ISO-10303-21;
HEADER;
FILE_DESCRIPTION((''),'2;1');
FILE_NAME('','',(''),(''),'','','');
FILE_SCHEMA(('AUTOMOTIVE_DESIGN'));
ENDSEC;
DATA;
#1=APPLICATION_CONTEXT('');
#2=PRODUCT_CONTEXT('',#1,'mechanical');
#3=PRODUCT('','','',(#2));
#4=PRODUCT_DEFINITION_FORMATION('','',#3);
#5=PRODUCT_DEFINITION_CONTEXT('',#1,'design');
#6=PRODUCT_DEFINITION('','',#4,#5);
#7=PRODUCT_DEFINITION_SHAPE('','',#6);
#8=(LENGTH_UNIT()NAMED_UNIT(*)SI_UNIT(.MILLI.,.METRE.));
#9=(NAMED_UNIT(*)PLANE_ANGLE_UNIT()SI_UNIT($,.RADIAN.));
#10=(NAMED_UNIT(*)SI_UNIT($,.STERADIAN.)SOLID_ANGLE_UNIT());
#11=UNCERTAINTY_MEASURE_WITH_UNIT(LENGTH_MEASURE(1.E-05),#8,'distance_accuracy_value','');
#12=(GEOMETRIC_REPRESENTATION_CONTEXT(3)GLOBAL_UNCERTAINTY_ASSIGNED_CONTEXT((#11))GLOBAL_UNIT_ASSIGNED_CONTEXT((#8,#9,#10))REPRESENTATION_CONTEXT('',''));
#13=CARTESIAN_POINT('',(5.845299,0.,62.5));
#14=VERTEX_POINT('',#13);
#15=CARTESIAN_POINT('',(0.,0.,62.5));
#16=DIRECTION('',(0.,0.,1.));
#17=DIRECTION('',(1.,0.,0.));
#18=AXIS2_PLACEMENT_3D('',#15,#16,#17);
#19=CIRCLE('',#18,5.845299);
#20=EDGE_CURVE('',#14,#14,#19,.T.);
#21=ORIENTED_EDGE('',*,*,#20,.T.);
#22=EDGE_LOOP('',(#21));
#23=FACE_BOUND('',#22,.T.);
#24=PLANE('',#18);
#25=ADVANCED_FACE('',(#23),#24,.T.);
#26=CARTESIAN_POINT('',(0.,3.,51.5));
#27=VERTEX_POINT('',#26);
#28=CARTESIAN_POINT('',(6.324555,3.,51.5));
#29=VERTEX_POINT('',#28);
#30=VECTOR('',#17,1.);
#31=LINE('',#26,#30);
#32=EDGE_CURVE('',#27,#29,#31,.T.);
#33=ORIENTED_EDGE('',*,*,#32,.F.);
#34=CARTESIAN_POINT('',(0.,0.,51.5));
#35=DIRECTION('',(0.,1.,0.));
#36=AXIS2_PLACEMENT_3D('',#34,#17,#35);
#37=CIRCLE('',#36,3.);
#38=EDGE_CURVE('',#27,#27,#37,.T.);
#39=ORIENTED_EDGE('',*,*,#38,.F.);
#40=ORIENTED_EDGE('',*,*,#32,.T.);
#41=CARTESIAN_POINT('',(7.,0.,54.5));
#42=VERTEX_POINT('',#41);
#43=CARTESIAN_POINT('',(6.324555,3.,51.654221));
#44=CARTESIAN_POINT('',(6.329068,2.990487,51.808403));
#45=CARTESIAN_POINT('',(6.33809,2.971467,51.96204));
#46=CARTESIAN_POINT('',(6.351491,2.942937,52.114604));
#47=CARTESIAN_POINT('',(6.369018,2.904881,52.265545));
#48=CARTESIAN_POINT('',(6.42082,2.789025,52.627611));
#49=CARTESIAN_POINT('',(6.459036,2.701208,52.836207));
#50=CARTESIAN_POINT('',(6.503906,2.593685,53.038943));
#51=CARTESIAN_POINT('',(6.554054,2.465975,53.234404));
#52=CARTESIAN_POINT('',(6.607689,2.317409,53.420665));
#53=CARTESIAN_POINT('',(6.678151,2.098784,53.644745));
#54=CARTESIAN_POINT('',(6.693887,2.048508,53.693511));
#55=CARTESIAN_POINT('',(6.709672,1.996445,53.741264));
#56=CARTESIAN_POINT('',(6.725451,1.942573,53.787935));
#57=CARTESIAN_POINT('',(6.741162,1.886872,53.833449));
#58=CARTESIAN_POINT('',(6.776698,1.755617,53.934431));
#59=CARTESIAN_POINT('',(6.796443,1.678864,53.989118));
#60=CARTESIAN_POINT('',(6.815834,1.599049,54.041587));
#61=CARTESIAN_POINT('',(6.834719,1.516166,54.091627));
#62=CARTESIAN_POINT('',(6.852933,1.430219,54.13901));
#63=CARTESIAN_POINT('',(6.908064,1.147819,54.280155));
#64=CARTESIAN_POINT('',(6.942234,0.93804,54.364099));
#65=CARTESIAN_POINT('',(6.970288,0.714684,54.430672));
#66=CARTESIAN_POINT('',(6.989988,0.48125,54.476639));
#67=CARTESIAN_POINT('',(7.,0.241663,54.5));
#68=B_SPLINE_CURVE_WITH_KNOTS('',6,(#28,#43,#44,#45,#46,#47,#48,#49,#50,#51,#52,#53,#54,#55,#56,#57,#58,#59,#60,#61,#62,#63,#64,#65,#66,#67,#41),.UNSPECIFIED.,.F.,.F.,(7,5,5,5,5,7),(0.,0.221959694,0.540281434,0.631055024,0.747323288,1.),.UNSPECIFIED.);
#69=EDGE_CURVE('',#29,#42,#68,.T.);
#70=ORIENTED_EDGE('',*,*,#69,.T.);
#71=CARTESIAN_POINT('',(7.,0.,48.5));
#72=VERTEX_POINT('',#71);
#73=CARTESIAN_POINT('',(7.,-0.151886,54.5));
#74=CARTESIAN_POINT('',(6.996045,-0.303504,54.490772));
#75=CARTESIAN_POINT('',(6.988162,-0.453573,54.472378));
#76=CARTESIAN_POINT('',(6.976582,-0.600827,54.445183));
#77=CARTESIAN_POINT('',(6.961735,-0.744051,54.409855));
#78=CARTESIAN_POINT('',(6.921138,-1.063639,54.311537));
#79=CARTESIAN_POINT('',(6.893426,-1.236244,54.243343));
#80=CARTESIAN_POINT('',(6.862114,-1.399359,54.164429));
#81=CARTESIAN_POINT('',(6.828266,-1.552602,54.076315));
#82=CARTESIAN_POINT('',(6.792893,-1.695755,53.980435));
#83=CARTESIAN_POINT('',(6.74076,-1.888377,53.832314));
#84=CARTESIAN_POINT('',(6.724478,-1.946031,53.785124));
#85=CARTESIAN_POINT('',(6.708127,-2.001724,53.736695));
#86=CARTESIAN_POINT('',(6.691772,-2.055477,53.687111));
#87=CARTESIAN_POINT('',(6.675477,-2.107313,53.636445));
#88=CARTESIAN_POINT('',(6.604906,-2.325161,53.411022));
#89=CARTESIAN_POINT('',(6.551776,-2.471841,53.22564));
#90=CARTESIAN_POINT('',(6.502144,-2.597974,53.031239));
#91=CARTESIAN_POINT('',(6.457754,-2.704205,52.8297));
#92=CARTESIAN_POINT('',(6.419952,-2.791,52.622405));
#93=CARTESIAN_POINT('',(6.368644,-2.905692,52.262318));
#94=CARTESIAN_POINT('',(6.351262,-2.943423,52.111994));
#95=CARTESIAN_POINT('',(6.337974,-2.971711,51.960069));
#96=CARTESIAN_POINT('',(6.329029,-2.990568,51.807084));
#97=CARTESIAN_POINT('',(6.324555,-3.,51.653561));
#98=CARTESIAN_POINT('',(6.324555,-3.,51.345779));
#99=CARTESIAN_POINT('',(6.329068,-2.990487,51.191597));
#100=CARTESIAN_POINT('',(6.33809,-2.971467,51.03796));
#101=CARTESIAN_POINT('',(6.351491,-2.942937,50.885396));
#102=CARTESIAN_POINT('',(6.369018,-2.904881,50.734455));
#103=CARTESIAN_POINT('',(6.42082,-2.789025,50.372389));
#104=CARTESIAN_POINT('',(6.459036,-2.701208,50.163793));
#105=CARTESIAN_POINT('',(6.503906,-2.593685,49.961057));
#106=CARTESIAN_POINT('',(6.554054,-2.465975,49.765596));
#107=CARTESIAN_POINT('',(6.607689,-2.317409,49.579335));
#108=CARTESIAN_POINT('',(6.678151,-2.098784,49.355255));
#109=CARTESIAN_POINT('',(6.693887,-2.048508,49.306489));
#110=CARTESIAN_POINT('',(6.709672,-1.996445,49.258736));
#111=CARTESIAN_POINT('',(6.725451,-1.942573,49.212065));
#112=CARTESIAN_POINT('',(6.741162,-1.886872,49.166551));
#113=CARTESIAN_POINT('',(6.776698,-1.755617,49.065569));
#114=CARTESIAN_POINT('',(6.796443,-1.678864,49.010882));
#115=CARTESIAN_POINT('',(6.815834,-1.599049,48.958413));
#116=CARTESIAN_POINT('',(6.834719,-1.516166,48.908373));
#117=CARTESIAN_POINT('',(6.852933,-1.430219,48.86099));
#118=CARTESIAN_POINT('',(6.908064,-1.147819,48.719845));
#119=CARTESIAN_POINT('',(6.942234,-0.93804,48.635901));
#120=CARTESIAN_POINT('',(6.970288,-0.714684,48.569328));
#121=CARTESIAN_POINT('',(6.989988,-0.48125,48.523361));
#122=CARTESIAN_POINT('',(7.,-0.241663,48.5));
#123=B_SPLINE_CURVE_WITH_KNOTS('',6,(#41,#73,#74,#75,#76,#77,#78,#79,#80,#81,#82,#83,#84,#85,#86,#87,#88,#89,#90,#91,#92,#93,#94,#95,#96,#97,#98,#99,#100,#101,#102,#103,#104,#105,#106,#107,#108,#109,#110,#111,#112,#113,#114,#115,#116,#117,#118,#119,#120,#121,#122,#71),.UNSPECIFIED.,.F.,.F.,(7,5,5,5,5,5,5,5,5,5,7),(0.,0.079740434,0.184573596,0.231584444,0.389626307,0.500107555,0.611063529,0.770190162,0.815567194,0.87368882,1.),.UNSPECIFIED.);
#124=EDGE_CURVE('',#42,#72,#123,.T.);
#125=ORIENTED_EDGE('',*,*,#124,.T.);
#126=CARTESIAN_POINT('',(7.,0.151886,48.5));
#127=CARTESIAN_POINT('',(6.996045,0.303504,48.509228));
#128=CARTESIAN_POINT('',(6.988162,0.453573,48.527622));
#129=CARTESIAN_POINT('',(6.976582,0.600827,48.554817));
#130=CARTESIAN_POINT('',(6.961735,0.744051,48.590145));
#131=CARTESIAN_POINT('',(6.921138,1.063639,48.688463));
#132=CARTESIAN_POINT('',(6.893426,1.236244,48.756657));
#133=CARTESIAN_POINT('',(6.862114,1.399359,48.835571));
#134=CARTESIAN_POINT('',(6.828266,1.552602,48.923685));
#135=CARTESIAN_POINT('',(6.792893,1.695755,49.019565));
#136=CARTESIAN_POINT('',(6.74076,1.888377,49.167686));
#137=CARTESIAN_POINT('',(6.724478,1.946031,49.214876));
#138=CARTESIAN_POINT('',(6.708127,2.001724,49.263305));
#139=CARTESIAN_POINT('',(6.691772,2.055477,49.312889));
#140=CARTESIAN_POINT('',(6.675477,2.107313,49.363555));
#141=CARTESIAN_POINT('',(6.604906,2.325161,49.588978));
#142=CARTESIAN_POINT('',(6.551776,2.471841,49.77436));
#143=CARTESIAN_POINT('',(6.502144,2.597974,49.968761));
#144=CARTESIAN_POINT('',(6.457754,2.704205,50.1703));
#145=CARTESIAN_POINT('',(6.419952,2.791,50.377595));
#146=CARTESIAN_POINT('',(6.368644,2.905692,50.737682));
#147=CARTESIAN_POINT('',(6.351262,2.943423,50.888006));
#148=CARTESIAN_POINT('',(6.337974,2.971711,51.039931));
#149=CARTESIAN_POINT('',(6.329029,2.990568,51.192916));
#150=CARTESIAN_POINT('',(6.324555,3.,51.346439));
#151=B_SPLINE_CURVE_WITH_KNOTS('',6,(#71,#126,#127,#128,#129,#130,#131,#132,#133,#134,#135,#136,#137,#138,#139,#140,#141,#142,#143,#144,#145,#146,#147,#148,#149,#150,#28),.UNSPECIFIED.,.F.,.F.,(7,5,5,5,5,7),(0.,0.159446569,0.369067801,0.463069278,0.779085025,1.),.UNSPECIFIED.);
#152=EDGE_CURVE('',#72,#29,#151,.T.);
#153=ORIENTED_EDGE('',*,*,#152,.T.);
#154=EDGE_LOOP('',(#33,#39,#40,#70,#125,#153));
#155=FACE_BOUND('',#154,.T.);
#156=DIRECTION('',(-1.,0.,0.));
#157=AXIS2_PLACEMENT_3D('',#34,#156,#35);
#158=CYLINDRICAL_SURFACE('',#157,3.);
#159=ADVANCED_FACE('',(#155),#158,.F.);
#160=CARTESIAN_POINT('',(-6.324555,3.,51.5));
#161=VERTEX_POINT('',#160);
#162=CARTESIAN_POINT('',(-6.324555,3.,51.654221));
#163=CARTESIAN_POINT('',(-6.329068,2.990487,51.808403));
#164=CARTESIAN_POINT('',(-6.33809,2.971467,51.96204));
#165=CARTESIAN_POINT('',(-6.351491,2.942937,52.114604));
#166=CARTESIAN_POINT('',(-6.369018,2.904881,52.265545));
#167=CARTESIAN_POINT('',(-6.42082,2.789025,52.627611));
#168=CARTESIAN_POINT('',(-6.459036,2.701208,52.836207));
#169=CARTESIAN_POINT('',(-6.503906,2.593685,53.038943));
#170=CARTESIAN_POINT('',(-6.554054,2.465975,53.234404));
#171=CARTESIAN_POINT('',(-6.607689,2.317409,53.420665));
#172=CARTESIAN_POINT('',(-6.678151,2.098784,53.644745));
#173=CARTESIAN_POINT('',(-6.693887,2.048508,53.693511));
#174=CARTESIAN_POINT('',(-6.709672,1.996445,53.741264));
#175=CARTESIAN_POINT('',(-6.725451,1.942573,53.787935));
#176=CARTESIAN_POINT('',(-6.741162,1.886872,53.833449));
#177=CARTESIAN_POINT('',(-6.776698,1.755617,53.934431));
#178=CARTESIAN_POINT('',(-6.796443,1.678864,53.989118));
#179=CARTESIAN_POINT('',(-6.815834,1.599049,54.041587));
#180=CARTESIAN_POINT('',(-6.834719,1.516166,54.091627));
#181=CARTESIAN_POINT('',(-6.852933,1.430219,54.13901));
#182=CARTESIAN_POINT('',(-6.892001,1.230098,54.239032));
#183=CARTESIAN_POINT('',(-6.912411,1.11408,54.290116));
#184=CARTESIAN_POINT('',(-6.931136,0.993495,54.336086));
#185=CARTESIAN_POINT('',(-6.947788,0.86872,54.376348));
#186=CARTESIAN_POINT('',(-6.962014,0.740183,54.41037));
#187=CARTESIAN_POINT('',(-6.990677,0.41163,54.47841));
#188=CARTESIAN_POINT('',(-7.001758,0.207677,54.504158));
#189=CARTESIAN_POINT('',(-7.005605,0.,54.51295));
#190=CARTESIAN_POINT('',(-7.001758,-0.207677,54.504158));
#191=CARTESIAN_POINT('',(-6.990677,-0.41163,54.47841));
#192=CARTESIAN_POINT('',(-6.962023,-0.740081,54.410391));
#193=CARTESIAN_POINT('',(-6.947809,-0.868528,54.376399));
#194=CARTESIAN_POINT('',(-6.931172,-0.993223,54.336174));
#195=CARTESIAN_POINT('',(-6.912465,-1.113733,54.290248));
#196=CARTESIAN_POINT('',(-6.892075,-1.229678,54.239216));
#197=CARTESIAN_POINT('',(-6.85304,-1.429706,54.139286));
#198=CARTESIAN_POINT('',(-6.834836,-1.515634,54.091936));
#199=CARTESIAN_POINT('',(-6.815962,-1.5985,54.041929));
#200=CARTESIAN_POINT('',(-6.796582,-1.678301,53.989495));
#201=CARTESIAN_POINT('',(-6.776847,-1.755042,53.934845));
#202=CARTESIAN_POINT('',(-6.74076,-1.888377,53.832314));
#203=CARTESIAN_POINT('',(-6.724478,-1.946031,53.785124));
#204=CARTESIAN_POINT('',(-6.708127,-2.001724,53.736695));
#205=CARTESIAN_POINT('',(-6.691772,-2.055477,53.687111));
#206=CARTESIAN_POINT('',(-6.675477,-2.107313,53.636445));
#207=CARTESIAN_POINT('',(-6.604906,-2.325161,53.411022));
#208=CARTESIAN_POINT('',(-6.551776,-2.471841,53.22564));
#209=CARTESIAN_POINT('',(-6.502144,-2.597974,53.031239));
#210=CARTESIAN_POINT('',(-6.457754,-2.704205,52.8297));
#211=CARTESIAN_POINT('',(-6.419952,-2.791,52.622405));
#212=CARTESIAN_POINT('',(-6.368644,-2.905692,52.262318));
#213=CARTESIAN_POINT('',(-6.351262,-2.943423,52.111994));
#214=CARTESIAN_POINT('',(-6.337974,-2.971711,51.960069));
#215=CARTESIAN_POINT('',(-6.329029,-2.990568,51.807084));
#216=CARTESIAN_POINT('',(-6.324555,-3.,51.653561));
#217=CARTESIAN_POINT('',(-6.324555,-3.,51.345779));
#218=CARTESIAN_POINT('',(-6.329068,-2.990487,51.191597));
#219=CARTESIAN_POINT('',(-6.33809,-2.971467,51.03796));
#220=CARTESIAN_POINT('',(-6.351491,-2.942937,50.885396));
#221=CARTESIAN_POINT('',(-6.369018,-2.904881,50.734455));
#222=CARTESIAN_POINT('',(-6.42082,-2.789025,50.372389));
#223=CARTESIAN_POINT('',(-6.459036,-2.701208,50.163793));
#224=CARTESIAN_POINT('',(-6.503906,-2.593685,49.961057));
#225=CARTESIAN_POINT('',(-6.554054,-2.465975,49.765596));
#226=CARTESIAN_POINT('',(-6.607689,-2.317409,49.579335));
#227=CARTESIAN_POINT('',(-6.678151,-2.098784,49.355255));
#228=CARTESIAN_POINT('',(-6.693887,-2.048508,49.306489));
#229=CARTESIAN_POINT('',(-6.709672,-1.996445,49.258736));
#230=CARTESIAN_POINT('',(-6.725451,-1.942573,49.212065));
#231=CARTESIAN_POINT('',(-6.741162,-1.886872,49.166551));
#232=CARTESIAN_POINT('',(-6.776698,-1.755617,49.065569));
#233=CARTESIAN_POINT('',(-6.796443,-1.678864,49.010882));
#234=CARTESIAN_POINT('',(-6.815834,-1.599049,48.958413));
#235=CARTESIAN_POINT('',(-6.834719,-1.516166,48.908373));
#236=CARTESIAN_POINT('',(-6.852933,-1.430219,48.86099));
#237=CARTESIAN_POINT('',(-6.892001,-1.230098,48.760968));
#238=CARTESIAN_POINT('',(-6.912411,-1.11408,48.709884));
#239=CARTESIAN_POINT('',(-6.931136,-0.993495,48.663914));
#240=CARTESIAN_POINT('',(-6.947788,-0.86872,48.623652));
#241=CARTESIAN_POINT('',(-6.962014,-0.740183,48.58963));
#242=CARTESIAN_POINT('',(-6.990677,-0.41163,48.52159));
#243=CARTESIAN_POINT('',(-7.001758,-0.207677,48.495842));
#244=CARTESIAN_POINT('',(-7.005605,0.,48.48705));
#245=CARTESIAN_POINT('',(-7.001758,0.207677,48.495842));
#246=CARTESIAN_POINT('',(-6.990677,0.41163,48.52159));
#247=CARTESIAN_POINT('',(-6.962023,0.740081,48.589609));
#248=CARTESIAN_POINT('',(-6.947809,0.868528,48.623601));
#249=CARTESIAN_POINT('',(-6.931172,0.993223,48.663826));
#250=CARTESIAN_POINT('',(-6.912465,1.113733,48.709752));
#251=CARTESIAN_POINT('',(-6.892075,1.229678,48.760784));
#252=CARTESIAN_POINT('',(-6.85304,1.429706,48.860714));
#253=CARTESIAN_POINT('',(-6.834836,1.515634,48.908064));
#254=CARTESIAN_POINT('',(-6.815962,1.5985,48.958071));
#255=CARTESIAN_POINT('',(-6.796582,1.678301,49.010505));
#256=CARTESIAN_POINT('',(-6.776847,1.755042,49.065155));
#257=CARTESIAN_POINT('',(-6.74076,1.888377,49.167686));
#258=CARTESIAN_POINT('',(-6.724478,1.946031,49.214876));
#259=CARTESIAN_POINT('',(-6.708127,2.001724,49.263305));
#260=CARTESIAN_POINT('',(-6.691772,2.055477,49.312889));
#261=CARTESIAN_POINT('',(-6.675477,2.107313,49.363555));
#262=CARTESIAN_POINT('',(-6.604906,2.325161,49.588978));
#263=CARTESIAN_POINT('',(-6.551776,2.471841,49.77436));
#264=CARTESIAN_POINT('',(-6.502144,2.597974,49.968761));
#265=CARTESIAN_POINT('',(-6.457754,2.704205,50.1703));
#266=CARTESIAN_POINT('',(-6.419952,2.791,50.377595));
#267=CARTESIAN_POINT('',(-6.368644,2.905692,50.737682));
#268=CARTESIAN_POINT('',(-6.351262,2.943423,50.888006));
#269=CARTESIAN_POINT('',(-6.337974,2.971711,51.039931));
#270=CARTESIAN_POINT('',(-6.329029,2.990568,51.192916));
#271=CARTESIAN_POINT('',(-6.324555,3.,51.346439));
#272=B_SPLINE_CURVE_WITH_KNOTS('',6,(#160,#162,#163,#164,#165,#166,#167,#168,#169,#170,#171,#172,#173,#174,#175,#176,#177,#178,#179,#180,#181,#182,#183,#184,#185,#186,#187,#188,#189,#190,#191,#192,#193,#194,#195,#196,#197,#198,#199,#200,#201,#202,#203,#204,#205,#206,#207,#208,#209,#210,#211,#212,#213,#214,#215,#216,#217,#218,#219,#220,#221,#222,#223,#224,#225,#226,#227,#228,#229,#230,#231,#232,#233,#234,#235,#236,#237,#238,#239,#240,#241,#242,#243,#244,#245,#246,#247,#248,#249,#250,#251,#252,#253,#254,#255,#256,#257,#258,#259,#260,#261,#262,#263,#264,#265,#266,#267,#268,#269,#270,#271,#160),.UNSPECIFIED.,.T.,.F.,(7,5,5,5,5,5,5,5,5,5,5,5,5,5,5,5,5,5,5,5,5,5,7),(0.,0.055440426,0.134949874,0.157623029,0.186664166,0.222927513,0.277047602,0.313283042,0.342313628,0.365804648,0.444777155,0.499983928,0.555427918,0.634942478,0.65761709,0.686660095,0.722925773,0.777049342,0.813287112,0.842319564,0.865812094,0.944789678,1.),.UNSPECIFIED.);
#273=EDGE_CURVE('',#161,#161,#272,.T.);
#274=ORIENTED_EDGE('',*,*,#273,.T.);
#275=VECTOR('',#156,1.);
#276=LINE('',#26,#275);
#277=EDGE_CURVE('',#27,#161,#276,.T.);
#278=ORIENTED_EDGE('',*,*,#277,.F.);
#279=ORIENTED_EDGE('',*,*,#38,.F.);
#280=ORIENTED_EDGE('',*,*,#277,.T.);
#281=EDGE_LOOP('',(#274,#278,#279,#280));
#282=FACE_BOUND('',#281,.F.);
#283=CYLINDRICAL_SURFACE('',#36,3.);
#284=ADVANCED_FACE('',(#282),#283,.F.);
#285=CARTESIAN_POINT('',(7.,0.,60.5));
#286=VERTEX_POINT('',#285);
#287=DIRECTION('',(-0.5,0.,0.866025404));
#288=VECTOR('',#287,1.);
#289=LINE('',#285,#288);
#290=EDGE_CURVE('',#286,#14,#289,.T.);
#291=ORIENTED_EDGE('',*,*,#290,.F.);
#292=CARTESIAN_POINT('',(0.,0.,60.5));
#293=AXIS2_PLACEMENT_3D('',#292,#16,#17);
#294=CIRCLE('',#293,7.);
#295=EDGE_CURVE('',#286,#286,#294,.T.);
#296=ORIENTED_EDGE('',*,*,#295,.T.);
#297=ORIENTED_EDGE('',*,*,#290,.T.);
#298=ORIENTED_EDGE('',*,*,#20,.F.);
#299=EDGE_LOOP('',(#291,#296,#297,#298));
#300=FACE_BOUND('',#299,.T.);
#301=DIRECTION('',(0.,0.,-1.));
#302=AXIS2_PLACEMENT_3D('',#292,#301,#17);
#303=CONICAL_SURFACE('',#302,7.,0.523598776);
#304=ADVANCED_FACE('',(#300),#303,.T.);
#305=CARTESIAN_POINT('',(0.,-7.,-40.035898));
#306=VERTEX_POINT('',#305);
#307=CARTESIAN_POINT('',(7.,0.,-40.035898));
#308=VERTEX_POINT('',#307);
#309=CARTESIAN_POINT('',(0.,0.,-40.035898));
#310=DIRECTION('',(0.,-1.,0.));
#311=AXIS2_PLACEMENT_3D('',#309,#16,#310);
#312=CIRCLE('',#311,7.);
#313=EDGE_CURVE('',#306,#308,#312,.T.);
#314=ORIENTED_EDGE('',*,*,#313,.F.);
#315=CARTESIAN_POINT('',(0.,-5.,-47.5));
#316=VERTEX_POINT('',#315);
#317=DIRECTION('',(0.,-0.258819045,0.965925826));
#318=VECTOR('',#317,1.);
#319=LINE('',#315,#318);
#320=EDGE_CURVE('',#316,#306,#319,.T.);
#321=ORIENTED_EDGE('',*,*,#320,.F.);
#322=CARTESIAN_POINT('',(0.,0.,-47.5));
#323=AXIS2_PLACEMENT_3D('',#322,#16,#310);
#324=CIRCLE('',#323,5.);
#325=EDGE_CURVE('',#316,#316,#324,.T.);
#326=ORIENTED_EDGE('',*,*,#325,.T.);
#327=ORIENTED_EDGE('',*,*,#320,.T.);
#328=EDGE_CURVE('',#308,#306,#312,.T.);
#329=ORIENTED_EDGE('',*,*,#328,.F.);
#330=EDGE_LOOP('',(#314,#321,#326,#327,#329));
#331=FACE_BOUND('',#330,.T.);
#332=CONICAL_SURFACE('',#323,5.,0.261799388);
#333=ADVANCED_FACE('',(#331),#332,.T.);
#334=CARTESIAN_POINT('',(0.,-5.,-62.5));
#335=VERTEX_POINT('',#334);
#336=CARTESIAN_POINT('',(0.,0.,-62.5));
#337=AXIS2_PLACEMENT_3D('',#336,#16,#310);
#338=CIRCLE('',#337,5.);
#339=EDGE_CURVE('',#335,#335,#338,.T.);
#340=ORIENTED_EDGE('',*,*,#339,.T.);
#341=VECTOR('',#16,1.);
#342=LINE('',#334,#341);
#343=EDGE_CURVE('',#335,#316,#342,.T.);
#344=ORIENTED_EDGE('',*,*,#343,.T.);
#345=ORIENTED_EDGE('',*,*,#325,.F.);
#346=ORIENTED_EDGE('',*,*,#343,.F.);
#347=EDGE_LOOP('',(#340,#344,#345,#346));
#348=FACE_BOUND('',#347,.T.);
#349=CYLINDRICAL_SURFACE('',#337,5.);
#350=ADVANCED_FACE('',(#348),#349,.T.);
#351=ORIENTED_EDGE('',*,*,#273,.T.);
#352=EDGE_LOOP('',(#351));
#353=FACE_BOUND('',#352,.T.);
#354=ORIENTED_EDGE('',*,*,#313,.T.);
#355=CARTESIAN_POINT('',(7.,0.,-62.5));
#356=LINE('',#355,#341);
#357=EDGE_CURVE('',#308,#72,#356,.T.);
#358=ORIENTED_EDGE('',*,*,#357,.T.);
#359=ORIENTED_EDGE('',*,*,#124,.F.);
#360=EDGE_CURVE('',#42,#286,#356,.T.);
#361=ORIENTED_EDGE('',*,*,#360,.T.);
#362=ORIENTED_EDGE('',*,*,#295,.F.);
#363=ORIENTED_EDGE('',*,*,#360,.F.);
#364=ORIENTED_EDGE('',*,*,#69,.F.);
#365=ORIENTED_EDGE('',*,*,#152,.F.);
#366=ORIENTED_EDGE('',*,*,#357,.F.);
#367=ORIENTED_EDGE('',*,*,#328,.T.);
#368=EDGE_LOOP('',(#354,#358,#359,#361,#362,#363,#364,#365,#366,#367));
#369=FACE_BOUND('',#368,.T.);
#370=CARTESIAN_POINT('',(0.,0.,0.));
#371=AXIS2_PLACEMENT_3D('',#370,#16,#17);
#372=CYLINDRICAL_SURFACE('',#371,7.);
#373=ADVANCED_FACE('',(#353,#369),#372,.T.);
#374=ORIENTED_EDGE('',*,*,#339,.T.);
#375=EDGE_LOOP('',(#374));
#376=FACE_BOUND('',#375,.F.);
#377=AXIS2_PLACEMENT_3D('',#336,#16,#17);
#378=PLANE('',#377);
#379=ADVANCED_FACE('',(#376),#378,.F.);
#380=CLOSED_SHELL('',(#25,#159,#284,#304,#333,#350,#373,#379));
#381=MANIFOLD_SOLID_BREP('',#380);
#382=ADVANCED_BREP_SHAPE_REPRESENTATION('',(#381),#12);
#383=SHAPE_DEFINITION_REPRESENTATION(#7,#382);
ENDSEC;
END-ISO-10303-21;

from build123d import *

# Parameters (mm, degrees)
F0_R          = 7
F1_DEPTH      = 62.5
F2_R          = 3
F3_DEPTH      = 7.001
F3_DEPTH_BACK = 7.001
F6_SIZE2      = 1.1547005384
F6_SIZE       = 2


with BuildPart() as f1:
    # F0 (on Top) → F1 (new body, symmetric)
    with BuildSketch(Plane.XY):
        Circle(F0_R)
    extrude(amount=F1_DEPTH, both=True)

    # F2 (on Right) → F3 (cut, two sides)
    with BuildSketch(Plane.YZ) as f3_sk:
        with Locations((0, 51.5)):
            Circle(F2_R)
    extrude(amount=-F3_DEPTH, mode=Mode.SUBTRACT)
    extrude(f3_sk.sketch, amount=F3_DEPTH_BACK, mode=Mode.SUBTRACT)

    # F4 (on Right) → F5 (revolve, cut)
    with BuildSketch(Plane.YZ):
        Polygon((-5, -47.5), (-7, -40.0358983849), (-7, -62.5), (-5, -62.5), align=None)
    revolve(axis=Axis((0, 0, -51.2679491924), (0, 0, 1)), mode=Mode.SUBTRACT)

    # F6
    f6_edges = [f1.edges().sort_by_distance(p)[0] for p in [
        (-7, 0, 62.5),
    ]]
    f6_side = f1.faces().sort_by_distance((-7, 0, 11.232051))[0]
    chamfer(f6_edges, length=F6_SIZE, length2=F6_SIZE2, reference=f6_side)


solid = f1.part
